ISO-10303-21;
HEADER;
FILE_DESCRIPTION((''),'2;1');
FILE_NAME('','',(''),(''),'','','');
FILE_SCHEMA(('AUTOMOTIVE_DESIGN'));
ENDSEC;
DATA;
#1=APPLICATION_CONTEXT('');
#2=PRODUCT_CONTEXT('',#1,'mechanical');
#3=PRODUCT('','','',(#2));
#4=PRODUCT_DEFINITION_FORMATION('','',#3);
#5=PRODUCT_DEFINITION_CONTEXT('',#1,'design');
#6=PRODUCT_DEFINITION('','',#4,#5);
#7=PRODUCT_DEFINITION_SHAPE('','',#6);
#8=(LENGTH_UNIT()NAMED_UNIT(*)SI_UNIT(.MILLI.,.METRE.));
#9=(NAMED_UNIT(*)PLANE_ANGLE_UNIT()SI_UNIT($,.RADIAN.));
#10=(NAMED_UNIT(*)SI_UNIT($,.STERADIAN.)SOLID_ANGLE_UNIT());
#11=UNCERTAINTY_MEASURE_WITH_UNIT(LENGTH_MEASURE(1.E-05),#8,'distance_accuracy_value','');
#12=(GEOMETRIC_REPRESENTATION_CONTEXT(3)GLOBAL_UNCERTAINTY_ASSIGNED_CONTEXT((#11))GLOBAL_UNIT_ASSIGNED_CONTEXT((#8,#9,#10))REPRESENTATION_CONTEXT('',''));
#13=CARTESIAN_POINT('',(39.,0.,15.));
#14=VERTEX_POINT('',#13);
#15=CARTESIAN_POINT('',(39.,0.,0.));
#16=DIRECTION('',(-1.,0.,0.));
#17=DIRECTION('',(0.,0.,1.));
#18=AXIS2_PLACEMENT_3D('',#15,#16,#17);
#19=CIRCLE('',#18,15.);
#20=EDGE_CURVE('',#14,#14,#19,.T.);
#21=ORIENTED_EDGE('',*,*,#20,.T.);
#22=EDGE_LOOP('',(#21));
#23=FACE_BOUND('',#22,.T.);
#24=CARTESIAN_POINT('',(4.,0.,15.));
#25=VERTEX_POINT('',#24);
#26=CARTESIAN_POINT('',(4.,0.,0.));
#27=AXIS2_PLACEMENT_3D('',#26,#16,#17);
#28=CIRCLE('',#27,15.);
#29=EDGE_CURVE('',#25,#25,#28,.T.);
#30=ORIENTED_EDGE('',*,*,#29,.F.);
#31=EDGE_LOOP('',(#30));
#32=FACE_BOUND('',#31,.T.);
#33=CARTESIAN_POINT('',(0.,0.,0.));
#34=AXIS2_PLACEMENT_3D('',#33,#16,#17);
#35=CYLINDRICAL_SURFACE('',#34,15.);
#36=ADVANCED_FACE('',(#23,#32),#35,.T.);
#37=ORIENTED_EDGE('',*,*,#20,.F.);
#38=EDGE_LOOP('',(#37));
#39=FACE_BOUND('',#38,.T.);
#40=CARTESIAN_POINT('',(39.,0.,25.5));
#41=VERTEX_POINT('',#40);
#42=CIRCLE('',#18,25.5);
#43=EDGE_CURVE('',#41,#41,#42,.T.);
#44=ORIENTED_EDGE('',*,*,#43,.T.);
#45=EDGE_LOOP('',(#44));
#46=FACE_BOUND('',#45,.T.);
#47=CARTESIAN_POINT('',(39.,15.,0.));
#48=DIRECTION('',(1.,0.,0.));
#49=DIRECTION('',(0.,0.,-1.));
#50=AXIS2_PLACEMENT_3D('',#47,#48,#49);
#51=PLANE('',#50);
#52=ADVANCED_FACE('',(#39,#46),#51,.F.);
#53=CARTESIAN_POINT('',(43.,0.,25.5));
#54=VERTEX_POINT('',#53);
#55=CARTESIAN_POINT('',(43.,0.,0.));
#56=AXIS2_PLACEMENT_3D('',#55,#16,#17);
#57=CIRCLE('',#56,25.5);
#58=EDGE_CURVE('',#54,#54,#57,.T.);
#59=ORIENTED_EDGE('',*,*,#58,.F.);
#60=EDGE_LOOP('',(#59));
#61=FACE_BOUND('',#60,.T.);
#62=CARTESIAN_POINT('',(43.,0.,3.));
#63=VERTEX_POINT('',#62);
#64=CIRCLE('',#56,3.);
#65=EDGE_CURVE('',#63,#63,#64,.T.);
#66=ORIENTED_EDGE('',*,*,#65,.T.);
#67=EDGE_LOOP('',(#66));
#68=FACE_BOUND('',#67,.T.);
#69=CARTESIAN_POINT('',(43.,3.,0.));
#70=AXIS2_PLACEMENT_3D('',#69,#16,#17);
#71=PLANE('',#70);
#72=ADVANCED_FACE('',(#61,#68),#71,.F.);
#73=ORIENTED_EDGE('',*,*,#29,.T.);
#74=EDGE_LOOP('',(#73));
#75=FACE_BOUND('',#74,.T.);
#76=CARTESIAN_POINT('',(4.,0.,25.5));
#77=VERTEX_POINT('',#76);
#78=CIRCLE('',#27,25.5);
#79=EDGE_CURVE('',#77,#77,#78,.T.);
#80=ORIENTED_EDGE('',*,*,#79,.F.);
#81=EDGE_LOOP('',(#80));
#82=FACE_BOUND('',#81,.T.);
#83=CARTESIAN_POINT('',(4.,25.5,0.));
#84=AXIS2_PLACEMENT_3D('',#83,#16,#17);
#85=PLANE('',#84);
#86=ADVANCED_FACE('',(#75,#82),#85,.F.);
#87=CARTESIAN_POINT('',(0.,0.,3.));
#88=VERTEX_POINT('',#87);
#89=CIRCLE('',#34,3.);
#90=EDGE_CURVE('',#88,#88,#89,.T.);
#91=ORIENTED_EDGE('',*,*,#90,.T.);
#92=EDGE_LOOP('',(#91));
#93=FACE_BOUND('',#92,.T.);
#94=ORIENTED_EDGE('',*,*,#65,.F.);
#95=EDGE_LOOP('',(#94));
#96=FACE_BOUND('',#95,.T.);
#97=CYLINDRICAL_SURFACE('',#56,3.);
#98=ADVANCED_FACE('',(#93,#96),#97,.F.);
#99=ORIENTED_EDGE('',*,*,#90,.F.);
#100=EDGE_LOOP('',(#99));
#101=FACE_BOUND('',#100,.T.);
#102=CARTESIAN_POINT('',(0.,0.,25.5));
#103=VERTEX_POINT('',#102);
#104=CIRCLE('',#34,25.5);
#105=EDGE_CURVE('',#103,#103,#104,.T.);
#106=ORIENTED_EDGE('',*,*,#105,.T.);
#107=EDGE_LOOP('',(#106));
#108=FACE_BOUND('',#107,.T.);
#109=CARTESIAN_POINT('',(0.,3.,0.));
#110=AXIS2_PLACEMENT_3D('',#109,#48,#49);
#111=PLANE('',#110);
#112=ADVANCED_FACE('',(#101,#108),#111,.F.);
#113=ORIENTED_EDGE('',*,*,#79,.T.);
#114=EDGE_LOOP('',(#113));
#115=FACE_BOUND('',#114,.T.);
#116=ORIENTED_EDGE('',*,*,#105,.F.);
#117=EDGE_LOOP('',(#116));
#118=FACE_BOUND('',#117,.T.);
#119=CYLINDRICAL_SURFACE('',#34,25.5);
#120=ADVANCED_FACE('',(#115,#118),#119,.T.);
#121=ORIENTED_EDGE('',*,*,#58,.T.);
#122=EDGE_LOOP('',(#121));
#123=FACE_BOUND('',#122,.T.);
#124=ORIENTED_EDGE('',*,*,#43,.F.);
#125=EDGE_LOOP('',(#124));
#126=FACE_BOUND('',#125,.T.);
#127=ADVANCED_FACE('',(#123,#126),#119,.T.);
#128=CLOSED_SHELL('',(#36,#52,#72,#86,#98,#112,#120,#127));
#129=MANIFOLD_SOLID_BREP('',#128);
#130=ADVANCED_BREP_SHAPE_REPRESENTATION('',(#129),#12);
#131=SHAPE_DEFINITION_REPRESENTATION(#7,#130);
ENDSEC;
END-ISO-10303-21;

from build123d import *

# Parameters (mm, degrees)
SKETCH8_R          = 3
CUT_EXTRUDE1_DEPTH = 57.120406271


with BuildPart() as part:
    # Sketch1 → Revolve1 (revolve)
    with BuildSketch(Plane.XY, mode=Mode.PRIVATE) as revolve1_sk:
        Polygon((0, 0), (0, 3), (0, 25.5), (4, 25.5), (4, 15), (39, 15), (39, 25.5), (43, 25.5), (43, 3), (43, 0), align=None)
    revolve(revolve1_sk.sketch.rotate(Axis((0, 0, 0), (1, 0, 0)), 90), axis=Axis((0, 0, 0), (1, 0, 0)))

    # Sketch8 → Cut-Extrude1 (cut, through all)
    with BuildSketch(Plane.ZY):
        Circle(SKETCH8_R)
    extrude(amount=-CUT_EXTRUDE1_DEPTH, mode=Mode.SUBTRACT)


solid = part.part
